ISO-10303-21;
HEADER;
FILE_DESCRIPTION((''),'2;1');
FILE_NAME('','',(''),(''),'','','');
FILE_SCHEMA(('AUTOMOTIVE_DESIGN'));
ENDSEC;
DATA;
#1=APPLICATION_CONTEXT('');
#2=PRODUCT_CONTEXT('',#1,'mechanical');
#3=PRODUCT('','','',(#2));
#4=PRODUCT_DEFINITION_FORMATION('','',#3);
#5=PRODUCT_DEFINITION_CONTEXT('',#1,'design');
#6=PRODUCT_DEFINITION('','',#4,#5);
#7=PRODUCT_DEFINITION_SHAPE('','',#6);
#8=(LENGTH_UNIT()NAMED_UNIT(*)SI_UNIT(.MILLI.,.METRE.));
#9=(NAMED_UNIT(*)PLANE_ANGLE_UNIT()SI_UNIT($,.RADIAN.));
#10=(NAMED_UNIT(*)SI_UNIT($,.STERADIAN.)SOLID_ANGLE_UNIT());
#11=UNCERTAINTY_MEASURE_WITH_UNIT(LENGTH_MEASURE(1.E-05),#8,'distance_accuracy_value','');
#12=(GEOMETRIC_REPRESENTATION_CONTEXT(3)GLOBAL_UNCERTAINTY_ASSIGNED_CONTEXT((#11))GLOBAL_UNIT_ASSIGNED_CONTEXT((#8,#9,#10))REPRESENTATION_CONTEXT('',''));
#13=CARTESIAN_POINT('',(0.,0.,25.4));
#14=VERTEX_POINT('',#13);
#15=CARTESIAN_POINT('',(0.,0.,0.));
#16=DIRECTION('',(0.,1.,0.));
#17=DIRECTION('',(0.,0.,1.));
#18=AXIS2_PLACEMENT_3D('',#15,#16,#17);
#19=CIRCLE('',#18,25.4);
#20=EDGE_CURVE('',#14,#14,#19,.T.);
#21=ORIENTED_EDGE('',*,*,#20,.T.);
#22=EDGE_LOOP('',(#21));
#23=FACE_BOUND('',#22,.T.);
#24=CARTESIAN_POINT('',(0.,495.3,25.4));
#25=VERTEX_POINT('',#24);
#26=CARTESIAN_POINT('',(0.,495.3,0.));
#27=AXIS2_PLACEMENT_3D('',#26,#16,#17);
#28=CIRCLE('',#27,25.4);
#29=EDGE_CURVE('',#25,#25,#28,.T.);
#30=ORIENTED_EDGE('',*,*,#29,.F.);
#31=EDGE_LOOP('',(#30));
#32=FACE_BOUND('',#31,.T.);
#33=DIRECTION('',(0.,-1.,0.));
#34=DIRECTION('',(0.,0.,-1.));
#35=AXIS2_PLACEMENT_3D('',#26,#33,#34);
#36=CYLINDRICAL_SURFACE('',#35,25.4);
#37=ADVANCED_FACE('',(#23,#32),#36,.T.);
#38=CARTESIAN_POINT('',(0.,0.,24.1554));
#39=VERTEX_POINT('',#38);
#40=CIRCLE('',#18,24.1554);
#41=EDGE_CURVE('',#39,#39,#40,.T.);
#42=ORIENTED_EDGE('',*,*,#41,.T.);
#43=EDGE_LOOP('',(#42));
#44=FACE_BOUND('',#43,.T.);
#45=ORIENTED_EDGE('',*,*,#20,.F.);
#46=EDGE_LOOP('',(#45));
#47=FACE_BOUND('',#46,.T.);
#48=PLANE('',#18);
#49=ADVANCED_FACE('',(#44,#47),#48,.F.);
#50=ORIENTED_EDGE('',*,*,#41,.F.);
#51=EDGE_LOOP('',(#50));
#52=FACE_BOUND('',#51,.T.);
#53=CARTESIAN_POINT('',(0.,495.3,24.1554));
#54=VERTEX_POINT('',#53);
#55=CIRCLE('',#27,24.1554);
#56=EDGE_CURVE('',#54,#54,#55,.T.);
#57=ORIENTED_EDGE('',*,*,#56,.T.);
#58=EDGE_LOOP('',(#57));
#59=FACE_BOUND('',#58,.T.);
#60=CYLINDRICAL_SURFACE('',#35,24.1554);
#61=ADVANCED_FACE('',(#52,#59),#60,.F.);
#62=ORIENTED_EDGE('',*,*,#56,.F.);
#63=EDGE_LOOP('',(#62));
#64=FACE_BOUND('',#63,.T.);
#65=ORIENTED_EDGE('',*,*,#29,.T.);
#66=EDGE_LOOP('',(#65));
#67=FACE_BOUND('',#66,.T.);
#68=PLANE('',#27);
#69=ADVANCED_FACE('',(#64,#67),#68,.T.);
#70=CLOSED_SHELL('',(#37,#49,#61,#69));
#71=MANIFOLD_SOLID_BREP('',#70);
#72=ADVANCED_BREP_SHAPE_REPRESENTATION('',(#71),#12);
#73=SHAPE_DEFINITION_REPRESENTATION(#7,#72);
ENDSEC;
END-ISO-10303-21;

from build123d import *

# Parameters (mm, degrees)
SKETCH1_R   = 25.4
SKETCH1_R_2 = 24.1554
BODY_DEPTH  = 495.3


with BuildPart() as part:
    # Sketch1 → body (new body)
    with BuildSketch(Plane(origin=(0, 0, 0), x_dir=(1, 0, 0), z_dir=(0, 1, 0))):
        with Locations(Location((0, 0, 0), (0, 0, 270))):
            Circle(SKETCH1_R)
        with Locations(Location((0, 0, 0), (0, 0, 270))):
            Circle(SKETCH1_R_2, mode=Mode.SUBTRACT)
    extrude(amount=BODY_DEPTH)


solid = part.part
